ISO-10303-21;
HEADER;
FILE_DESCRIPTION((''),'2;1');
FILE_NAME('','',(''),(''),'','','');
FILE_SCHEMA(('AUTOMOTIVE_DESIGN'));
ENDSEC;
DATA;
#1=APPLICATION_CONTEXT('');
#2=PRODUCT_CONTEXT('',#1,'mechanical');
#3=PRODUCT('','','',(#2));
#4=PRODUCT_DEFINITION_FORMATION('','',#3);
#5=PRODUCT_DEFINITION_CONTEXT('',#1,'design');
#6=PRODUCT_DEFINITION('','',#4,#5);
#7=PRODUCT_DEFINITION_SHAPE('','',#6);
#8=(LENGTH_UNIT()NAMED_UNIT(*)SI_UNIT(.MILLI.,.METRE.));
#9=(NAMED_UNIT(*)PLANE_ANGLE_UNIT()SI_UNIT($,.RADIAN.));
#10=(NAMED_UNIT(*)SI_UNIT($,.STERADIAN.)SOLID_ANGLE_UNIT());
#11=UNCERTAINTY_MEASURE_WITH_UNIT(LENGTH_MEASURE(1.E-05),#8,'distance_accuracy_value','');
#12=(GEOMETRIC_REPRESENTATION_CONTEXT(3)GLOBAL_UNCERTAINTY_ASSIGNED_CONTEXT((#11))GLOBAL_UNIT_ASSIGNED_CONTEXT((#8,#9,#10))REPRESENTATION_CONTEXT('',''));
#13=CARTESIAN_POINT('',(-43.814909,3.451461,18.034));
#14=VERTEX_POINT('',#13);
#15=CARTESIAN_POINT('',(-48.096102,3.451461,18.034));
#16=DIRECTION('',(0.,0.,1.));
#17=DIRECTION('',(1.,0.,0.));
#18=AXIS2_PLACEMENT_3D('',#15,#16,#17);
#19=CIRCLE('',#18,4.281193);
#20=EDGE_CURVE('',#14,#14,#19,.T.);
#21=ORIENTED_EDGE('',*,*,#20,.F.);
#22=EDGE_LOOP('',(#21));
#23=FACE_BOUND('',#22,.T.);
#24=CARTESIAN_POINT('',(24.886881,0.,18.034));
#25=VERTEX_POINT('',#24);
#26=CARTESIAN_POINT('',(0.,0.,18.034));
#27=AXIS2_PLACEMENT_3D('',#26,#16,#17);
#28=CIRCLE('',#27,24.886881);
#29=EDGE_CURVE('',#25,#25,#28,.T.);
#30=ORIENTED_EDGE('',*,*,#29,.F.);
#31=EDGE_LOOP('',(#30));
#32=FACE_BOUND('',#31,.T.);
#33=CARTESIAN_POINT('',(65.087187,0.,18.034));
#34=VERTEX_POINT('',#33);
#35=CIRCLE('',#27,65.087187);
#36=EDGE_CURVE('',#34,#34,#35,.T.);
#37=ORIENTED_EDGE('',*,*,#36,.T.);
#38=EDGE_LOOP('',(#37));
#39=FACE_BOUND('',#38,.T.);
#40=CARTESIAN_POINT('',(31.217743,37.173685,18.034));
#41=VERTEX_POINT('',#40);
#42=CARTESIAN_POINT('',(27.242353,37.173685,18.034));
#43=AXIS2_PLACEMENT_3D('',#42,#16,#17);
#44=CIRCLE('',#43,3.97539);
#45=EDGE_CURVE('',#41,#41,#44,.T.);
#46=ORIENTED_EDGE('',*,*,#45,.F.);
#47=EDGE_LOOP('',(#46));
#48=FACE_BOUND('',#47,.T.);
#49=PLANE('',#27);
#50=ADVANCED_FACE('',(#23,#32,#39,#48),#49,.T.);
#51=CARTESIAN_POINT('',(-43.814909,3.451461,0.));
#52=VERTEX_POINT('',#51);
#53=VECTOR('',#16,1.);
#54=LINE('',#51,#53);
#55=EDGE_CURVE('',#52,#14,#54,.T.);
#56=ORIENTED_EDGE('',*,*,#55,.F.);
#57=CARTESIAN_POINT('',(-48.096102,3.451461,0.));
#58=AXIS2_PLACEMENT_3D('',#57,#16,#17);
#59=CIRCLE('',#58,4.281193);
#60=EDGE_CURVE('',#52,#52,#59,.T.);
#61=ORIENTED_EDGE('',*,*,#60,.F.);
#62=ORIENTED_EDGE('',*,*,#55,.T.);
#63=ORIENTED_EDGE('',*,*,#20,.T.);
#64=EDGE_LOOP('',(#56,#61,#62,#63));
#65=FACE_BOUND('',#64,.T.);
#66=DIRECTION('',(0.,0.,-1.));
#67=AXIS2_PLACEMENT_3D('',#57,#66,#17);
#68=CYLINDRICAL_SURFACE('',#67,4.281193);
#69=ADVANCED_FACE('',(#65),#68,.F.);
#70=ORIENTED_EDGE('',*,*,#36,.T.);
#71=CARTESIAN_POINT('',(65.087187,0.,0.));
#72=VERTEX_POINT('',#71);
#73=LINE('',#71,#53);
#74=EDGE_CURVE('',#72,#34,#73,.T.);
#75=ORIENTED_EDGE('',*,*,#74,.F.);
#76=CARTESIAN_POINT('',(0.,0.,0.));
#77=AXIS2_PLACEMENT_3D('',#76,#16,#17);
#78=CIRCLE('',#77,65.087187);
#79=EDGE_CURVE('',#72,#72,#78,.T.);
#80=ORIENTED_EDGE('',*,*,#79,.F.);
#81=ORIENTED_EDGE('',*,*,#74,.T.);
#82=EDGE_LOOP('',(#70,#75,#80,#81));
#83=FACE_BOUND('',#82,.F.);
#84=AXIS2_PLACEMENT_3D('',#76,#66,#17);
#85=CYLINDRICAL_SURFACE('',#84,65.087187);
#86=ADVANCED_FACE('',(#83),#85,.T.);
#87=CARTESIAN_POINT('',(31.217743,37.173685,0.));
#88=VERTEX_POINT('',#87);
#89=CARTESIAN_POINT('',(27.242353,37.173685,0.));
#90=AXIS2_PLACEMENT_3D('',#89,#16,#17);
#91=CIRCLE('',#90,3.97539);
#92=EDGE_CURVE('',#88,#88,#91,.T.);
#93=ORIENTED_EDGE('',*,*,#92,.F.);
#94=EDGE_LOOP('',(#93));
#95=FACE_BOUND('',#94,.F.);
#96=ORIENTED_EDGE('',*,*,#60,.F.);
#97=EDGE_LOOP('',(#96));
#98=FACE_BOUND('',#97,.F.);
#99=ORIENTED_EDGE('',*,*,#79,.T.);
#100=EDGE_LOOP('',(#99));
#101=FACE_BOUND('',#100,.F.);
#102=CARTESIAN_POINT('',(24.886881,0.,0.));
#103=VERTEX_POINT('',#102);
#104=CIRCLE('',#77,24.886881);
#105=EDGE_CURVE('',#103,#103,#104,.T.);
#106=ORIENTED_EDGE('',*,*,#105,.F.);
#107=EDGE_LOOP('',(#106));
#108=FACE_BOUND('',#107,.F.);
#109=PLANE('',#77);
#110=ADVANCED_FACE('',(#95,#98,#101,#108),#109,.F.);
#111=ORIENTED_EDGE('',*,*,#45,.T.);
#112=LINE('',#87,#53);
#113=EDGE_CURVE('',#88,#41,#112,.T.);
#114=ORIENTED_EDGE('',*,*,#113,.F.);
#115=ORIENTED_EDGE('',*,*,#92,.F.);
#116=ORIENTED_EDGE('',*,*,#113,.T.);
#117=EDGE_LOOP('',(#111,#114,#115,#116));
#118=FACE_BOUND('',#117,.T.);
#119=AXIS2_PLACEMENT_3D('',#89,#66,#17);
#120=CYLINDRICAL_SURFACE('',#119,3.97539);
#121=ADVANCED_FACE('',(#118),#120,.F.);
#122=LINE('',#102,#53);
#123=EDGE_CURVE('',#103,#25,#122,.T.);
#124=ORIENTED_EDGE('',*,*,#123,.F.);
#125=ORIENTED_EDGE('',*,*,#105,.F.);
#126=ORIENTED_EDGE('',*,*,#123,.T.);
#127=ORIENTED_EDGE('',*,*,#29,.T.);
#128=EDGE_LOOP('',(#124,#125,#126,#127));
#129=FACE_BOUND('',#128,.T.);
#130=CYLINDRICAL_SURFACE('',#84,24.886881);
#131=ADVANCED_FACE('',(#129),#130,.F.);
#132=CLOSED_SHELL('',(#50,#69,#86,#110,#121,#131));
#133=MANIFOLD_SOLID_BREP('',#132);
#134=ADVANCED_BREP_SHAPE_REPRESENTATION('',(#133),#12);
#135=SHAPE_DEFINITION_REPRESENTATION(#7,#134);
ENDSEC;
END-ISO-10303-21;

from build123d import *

# Parameters (mm, degrees)
F0_R     = 65.087187
F0_R_2   = 4.281193
F0_R_3   = 24.886881
F0_R_4   = 3.97539
F1_DEPTH = 18.034


with BuildPart() as f1:
    # F0 (on Top) → F1 (new body)
    with BuildSketch(Plane.XY):
        Circle(F0_R)
        with Locations((-48.096102, 3.451461)):
            Circle(F0_R_2, mode=Mode.SUBTRACT)
        Circle(F0_R_3, mode=Mode.SUBTRACT)
        with Locations((27.242353, 37.173685)):
            Circle(F0_R_4, mode=Mode.SUBTRACT)
    extrude(amount=F1_DEPTH)


solid = f1.part
